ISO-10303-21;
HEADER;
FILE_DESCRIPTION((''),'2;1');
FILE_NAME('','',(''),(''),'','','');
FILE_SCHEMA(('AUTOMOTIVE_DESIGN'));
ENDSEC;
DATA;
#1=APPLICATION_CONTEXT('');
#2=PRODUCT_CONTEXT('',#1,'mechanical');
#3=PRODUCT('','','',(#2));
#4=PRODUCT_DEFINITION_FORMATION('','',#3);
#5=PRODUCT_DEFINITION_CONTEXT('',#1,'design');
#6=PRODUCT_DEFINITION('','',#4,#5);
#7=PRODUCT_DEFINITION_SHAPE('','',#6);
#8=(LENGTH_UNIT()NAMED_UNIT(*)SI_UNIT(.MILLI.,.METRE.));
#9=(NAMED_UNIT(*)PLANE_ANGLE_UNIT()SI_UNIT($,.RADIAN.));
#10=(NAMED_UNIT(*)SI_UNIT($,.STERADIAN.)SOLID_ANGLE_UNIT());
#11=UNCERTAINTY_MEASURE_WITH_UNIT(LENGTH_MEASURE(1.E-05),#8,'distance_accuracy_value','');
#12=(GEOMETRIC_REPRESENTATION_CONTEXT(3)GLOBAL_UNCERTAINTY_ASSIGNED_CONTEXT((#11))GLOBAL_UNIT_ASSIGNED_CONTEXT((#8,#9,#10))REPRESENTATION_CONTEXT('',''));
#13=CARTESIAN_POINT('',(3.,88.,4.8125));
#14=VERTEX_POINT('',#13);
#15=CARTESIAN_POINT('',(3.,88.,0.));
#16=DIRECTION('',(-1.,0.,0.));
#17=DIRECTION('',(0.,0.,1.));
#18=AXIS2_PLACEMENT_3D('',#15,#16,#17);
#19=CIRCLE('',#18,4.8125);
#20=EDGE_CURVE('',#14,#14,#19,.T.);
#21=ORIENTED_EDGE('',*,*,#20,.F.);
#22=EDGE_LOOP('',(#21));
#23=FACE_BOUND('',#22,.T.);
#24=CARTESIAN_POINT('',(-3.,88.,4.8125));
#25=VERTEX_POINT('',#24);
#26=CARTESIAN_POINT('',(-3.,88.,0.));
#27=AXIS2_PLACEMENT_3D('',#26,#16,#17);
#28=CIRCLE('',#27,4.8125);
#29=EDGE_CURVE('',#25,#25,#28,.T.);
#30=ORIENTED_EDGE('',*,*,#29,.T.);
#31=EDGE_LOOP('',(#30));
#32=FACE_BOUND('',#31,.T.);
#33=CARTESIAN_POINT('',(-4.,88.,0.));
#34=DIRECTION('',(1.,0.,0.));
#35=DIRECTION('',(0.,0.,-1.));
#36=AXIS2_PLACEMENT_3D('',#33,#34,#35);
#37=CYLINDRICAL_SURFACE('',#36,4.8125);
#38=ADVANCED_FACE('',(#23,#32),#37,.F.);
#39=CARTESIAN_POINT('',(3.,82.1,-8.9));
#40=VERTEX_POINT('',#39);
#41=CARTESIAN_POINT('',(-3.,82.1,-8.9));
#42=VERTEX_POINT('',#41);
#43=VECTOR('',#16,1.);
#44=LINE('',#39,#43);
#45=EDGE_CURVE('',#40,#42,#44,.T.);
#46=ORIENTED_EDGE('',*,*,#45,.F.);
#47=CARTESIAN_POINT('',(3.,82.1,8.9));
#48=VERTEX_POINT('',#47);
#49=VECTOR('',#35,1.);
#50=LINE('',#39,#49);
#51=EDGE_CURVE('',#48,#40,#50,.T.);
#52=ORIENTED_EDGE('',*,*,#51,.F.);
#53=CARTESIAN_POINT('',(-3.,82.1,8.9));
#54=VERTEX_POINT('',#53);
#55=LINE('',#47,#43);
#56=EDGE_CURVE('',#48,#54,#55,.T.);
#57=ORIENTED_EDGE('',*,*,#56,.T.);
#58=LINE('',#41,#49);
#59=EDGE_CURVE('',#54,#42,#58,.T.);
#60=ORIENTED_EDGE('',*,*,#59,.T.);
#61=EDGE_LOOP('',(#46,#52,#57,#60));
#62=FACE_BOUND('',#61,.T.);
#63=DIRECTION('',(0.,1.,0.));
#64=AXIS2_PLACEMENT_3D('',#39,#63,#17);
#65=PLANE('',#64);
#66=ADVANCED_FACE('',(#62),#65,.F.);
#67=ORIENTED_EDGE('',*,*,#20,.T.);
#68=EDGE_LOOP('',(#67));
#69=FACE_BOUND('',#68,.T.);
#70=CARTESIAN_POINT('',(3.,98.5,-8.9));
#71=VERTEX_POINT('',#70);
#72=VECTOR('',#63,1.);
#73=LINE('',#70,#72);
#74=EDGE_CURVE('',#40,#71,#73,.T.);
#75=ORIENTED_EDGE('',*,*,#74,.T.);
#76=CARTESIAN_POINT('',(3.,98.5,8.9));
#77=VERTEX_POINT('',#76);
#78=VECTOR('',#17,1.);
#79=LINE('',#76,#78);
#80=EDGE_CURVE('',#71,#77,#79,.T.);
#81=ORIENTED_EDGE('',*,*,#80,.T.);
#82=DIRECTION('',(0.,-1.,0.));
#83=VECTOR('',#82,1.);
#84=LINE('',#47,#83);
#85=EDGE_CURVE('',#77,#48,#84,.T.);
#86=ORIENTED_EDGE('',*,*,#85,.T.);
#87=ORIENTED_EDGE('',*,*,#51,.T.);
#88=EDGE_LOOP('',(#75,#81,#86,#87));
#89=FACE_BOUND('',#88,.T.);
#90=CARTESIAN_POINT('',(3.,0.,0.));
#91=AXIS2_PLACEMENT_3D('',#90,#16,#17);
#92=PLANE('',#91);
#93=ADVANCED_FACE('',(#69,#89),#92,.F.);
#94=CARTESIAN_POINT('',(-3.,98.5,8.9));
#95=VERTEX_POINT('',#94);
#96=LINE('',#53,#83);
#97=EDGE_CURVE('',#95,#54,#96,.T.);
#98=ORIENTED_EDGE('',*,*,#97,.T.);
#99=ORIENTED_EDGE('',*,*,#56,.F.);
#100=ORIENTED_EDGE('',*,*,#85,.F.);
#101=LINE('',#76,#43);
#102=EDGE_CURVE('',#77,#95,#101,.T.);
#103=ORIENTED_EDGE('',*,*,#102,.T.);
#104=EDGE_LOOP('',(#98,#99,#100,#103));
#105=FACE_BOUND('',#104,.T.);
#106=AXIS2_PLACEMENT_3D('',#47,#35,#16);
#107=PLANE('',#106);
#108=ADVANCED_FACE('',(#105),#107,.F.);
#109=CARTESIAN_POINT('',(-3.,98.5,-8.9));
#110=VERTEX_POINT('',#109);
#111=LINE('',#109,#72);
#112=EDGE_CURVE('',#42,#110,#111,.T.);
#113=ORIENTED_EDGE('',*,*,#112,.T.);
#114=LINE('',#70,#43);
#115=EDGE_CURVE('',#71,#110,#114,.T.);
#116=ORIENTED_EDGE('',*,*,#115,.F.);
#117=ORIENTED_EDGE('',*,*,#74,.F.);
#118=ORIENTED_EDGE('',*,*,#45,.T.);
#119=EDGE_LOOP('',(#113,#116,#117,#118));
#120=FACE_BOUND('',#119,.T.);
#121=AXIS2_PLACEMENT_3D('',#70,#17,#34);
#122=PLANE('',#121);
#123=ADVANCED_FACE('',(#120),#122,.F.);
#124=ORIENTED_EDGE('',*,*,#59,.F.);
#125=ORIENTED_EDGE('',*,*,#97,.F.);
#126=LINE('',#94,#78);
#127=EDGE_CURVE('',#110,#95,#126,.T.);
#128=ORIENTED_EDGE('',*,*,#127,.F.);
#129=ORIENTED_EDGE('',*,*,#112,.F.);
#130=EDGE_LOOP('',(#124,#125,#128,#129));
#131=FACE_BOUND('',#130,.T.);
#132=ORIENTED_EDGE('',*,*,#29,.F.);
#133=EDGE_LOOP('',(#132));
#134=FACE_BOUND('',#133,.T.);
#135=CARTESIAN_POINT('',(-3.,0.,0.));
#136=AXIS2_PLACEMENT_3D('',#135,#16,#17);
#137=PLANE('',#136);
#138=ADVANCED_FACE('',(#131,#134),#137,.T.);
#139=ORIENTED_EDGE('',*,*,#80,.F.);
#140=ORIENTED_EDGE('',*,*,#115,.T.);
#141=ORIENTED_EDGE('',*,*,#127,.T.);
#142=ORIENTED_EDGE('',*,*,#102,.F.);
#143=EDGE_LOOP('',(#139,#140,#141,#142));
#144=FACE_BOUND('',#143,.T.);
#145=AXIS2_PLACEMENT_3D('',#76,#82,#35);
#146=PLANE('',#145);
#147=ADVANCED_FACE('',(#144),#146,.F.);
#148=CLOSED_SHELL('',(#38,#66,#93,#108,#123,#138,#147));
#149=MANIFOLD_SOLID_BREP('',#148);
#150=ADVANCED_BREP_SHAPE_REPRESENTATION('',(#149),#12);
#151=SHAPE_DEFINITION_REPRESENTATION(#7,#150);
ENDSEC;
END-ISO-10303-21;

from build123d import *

# Parameters (mm, degrees)
BLOCK_SKETCH_W     = 17.8
BLOCK_SKETCH_H     = 16.4
BLOCK_DEPTH        = 3
TUBE_HOLE_SKETCH_R = 4.8125
TUBE_HOLE_DEPTH    = 4


with BuildPart() as part:
    # Block Sketch → Block (new, symmetric)
    with BuildSketch(Plane(origin=(0, 0, 0), x_dir=(0, 0, -1), z_dir=(1, 0, 0))):
        with Locations((0, 90.3)):
            Rectangle(BLOCK_SKETCH_W, BLOCK_SKETCH_H)
    extrude(amount=BLOCK_DEPTH, both=True)

    # Tube Hole Sketch → Tube Hole (cut, symmetric)
    with BuildSketch(Plane(origin=(0, 0, 0), x_dir=(0, 0, -1), z_dir=(1, 0, 0))):
        with Locations((0, 88)):
            Circle(TUBE_HOLE_SKETCH_R)
    extrude(amount=TUBE_HOLE_DEPTH, both=True, mode=Mode.SUBTRACT)


solid = part.part
